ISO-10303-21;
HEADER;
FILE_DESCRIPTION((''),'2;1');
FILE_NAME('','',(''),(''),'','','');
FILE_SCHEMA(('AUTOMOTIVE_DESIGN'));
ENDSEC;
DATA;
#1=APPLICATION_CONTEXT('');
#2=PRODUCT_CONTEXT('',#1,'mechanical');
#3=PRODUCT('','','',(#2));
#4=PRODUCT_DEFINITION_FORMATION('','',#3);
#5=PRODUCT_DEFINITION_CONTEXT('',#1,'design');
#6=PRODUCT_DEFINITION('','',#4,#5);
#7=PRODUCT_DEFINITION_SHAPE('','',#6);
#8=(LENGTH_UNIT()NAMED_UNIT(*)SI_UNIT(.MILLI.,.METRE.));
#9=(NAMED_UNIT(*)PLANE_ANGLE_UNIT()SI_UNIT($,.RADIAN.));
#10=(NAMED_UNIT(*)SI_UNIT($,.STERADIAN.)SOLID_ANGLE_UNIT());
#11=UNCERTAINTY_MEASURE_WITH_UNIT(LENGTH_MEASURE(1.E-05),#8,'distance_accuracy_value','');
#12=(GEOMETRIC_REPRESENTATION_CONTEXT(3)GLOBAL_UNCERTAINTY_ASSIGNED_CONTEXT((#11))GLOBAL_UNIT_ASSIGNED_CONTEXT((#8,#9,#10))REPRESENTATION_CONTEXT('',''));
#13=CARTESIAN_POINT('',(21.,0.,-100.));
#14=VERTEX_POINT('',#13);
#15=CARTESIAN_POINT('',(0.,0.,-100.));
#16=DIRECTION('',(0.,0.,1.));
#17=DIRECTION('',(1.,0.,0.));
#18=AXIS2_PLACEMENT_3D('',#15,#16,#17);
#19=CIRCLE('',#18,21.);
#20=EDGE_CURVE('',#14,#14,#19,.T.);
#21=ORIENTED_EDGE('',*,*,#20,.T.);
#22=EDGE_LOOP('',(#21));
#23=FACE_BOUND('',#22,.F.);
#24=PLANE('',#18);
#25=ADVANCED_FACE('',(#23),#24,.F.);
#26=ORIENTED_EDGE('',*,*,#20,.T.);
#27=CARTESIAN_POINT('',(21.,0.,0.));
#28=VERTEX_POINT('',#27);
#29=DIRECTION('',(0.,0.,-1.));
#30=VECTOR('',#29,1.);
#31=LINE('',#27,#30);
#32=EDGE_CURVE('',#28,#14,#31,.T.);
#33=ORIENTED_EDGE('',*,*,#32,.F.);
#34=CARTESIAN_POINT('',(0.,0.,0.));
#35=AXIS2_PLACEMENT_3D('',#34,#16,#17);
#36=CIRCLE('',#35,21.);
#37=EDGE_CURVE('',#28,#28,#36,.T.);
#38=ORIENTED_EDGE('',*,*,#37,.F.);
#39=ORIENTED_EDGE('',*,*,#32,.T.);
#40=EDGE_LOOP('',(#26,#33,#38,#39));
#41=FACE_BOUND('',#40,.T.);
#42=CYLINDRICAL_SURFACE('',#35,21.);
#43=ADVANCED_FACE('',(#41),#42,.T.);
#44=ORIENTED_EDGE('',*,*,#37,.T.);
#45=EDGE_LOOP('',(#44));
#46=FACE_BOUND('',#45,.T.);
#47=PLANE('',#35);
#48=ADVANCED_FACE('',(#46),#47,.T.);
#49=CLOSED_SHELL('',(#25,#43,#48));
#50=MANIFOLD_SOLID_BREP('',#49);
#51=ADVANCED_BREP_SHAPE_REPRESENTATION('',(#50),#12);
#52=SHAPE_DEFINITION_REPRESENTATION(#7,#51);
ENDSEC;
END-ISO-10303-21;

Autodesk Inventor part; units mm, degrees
ref_plane "YZ Plane" through (0, 0, 0) normal (1, 0, 0) x (0, 1, 0)
ref_plane "XZ Plane" through (0, 0, 0) normal (0, 1, 0) x (-1, 0, 0)
ref_plane "XY Plane" through (0, 0, 0) normal (0, 0, 1) x (1, 0, 0)
sketch "Sketch1" plane through (0, 0, 0) normal (0, 0, 1) x (1, 0, 0)
  circle A0 centre (0, 0) radius 21
  dimension "d0" = 42
extrude "Extrusion1" add sketch "Sketch1" against normal blind 100
properties part number "Sranie"
